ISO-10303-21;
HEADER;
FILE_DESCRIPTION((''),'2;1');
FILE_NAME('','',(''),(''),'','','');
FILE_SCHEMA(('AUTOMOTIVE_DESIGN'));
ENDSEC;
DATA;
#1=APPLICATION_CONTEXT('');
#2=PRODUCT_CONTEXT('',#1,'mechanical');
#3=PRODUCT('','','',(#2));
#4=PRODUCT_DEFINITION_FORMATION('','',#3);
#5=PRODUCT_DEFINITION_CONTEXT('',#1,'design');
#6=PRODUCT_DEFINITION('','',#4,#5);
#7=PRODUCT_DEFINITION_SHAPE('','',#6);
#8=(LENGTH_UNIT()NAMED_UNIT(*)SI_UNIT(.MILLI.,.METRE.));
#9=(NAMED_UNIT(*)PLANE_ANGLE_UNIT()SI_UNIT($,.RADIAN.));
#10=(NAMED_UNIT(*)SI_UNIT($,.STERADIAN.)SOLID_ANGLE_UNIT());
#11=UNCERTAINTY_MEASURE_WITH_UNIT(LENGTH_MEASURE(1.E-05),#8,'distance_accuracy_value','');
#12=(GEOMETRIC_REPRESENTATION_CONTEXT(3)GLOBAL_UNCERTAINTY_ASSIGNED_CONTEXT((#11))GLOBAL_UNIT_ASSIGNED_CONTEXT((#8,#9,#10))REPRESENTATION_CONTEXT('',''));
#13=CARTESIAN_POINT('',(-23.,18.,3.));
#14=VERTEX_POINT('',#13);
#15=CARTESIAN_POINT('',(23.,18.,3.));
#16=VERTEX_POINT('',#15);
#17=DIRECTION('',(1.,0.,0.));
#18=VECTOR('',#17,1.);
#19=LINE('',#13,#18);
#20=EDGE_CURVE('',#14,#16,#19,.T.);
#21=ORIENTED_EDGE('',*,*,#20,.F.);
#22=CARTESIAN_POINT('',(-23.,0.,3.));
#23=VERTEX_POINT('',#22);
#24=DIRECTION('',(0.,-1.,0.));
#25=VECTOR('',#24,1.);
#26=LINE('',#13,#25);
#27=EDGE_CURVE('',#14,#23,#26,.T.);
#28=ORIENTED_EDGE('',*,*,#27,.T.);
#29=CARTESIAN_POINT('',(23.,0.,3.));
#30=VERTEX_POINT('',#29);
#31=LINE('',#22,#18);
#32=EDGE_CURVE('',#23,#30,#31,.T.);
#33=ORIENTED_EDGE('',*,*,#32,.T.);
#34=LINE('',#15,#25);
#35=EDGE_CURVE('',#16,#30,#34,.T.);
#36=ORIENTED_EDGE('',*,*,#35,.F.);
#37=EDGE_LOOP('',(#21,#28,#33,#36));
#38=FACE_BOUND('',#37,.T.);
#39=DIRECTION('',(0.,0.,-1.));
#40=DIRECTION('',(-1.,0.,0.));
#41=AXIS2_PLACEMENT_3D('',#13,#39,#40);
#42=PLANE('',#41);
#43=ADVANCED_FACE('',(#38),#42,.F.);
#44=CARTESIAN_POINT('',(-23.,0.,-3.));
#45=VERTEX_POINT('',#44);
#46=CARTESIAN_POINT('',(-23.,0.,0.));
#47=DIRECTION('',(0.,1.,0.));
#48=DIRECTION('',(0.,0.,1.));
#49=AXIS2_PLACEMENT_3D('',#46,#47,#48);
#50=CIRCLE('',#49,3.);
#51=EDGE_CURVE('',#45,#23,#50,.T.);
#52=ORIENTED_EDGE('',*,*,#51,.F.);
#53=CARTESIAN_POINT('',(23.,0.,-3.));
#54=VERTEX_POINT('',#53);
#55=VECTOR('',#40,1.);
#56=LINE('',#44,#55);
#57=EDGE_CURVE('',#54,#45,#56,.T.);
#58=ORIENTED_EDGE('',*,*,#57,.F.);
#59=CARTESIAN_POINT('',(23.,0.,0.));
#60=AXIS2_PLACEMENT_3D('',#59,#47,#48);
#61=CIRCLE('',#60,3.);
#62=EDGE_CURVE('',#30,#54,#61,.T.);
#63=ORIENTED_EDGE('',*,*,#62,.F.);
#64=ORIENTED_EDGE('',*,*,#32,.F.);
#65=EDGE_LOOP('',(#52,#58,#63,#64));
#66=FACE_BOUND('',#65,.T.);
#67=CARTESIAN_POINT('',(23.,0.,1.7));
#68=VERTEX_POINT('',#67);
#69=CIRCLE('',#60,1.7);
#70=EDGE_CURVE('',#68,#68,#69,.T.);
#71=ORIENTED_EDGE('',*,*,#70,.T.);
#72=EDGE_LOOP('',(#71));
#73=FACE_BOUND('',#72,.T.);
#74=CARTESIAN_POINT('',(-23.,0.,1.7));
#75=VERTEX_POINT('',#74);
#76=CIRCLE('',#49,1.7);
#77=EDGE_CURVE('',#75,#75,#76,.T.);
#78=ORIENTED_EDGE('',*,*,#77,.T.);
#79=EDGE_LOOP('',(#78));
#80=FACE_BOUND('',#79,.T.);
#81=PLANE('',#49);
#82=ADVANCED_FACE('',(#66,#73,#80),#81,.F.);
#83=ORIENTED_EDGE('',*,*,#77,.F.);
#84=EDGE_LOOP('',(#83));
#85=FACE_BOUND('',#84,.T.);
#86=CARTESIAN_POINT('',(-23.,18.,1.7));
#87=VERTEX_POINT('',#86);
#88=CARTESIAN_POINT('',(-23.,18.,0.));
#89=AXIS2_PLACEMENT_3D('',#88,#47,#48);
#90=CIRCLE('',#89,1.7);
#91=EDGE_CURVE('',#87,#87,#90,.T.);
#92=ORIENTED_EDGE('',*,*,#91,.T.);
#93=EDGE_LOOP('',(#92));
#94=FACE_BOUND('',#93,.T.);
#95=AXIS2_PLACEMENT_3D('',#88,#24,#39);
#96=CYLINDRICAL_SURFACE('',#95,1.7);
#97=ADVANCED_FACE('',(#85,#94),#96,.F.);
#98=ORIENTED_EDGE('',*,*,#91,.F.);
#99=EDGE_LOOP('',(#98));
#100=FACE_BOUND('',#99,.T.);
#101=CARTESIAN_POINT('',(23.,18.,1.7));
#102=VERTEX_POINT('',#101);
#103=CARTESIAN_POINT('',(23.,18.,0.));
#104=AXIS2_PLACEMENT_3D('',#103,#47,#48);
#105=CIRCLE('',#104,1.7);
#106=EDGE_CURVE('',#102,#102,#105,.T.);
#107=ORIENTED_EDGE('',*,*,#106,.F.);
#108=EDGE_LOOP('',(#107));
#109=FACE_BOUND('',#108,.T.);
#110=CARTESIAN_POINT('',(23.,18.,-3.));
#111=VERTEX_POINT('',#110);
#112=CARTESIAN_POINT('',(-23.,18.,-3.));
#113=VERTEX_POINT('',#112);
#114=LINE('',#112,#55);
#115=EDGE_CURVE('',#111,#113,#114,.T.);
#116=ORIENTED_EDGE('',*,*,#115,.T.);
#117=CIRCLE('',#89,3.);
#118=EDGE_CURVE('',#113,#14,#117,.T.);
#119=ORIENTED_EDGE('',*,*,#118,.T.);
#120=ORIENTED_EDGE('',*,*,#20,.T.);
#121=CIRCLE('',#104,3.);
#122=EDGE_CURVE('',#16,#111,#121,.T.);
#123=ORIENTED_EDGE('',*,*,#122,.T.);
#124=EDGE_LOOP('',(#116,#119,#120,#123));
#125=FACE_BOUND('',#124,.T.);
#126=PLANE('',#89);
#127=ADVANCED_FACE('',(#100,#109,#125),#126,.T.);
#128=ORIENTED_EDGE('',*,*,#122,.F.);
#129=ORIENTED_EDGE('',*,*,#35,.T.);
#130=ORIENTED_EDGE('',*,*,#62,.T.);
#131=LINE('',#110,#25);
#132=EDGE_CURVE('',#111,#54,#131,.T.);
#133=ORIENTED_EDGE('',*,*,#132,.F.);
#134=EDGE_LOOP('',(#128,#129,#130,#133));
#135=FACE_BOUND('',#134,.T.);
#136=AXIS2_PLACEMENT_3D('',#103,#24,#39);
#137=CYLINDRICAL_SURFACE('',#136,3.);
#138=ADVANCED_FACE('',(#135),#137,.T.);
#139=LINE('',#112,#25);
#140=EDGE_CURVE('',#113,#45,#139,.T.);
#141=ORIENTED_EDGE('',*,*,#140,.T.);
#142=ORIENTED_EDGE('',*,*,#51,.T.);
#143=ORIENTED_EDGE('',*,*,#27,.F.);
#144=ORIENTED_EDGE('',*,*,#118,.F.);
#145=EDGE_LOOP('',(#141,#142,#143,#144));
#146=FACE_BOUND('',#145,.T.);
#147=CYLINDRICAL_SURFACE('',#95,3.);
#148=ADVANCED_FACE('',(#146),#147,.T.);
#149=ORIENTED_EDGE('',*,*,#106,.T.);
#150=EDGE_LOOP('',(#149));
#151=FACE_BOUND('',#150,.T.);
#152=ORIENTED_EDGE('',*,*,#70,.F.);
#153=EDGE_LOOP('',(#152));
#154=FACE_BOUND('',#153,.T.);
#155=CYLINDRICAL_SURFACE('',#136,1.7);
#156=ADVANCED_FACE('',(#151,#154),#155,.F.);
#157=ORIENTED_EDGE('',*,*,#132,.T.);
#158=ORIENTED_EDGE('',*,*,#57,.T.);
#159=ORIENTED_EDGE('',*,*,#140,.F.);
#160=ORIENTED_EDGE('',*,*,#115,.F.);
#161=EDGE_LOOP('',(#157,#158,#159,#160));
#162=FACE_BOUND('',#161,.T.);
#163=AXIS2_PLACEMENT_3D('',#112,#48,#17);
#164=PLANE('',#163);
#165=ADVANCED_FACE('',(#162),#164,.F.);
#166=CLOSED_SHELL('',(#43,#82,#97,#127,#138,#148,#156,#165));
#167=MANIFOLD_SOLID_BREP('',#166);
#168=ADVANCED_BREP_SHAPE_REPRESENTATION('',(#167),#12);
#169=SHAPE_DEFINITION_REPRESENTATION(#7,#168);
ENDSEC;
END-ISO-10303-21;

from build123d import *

# Parameters (mm, degrees)
SKETCH_1_R      = 1.7
EXTRUDE_1_DEPTH = 18


with BuildPart() as part:
    # 草图1 → 凸台-拉伸1 (new body)
    with BuildSketch(Plane(origin=(0, 0, 0), x_dir=(1, 0, 0), z_dir=(0, 1, 0))):
        with BuildLine():
            Line((-23, 3), (23, 3))
            ThreePointArc((23, 3), (26, 0), (23, -3))
            Line((23, -3), (-23, -3))
            ThreePointArc((-23, -3), (-26, 0), (-23, 3))
        make_face()
        with Locations(Location((23, 0, 0), (0, 0, 270))):
            Circle(SKETCH_1_R, mode=Mode.SUBTRACT)
        with Locations(Location((-23, 0, 0), (0, 0, 270))):
            Circle(SKETCH_1_R, mode=Mode.SUBTRACT)
    extrude(amount=EXTRUDE_1_DEPTH)


solid = part.part
